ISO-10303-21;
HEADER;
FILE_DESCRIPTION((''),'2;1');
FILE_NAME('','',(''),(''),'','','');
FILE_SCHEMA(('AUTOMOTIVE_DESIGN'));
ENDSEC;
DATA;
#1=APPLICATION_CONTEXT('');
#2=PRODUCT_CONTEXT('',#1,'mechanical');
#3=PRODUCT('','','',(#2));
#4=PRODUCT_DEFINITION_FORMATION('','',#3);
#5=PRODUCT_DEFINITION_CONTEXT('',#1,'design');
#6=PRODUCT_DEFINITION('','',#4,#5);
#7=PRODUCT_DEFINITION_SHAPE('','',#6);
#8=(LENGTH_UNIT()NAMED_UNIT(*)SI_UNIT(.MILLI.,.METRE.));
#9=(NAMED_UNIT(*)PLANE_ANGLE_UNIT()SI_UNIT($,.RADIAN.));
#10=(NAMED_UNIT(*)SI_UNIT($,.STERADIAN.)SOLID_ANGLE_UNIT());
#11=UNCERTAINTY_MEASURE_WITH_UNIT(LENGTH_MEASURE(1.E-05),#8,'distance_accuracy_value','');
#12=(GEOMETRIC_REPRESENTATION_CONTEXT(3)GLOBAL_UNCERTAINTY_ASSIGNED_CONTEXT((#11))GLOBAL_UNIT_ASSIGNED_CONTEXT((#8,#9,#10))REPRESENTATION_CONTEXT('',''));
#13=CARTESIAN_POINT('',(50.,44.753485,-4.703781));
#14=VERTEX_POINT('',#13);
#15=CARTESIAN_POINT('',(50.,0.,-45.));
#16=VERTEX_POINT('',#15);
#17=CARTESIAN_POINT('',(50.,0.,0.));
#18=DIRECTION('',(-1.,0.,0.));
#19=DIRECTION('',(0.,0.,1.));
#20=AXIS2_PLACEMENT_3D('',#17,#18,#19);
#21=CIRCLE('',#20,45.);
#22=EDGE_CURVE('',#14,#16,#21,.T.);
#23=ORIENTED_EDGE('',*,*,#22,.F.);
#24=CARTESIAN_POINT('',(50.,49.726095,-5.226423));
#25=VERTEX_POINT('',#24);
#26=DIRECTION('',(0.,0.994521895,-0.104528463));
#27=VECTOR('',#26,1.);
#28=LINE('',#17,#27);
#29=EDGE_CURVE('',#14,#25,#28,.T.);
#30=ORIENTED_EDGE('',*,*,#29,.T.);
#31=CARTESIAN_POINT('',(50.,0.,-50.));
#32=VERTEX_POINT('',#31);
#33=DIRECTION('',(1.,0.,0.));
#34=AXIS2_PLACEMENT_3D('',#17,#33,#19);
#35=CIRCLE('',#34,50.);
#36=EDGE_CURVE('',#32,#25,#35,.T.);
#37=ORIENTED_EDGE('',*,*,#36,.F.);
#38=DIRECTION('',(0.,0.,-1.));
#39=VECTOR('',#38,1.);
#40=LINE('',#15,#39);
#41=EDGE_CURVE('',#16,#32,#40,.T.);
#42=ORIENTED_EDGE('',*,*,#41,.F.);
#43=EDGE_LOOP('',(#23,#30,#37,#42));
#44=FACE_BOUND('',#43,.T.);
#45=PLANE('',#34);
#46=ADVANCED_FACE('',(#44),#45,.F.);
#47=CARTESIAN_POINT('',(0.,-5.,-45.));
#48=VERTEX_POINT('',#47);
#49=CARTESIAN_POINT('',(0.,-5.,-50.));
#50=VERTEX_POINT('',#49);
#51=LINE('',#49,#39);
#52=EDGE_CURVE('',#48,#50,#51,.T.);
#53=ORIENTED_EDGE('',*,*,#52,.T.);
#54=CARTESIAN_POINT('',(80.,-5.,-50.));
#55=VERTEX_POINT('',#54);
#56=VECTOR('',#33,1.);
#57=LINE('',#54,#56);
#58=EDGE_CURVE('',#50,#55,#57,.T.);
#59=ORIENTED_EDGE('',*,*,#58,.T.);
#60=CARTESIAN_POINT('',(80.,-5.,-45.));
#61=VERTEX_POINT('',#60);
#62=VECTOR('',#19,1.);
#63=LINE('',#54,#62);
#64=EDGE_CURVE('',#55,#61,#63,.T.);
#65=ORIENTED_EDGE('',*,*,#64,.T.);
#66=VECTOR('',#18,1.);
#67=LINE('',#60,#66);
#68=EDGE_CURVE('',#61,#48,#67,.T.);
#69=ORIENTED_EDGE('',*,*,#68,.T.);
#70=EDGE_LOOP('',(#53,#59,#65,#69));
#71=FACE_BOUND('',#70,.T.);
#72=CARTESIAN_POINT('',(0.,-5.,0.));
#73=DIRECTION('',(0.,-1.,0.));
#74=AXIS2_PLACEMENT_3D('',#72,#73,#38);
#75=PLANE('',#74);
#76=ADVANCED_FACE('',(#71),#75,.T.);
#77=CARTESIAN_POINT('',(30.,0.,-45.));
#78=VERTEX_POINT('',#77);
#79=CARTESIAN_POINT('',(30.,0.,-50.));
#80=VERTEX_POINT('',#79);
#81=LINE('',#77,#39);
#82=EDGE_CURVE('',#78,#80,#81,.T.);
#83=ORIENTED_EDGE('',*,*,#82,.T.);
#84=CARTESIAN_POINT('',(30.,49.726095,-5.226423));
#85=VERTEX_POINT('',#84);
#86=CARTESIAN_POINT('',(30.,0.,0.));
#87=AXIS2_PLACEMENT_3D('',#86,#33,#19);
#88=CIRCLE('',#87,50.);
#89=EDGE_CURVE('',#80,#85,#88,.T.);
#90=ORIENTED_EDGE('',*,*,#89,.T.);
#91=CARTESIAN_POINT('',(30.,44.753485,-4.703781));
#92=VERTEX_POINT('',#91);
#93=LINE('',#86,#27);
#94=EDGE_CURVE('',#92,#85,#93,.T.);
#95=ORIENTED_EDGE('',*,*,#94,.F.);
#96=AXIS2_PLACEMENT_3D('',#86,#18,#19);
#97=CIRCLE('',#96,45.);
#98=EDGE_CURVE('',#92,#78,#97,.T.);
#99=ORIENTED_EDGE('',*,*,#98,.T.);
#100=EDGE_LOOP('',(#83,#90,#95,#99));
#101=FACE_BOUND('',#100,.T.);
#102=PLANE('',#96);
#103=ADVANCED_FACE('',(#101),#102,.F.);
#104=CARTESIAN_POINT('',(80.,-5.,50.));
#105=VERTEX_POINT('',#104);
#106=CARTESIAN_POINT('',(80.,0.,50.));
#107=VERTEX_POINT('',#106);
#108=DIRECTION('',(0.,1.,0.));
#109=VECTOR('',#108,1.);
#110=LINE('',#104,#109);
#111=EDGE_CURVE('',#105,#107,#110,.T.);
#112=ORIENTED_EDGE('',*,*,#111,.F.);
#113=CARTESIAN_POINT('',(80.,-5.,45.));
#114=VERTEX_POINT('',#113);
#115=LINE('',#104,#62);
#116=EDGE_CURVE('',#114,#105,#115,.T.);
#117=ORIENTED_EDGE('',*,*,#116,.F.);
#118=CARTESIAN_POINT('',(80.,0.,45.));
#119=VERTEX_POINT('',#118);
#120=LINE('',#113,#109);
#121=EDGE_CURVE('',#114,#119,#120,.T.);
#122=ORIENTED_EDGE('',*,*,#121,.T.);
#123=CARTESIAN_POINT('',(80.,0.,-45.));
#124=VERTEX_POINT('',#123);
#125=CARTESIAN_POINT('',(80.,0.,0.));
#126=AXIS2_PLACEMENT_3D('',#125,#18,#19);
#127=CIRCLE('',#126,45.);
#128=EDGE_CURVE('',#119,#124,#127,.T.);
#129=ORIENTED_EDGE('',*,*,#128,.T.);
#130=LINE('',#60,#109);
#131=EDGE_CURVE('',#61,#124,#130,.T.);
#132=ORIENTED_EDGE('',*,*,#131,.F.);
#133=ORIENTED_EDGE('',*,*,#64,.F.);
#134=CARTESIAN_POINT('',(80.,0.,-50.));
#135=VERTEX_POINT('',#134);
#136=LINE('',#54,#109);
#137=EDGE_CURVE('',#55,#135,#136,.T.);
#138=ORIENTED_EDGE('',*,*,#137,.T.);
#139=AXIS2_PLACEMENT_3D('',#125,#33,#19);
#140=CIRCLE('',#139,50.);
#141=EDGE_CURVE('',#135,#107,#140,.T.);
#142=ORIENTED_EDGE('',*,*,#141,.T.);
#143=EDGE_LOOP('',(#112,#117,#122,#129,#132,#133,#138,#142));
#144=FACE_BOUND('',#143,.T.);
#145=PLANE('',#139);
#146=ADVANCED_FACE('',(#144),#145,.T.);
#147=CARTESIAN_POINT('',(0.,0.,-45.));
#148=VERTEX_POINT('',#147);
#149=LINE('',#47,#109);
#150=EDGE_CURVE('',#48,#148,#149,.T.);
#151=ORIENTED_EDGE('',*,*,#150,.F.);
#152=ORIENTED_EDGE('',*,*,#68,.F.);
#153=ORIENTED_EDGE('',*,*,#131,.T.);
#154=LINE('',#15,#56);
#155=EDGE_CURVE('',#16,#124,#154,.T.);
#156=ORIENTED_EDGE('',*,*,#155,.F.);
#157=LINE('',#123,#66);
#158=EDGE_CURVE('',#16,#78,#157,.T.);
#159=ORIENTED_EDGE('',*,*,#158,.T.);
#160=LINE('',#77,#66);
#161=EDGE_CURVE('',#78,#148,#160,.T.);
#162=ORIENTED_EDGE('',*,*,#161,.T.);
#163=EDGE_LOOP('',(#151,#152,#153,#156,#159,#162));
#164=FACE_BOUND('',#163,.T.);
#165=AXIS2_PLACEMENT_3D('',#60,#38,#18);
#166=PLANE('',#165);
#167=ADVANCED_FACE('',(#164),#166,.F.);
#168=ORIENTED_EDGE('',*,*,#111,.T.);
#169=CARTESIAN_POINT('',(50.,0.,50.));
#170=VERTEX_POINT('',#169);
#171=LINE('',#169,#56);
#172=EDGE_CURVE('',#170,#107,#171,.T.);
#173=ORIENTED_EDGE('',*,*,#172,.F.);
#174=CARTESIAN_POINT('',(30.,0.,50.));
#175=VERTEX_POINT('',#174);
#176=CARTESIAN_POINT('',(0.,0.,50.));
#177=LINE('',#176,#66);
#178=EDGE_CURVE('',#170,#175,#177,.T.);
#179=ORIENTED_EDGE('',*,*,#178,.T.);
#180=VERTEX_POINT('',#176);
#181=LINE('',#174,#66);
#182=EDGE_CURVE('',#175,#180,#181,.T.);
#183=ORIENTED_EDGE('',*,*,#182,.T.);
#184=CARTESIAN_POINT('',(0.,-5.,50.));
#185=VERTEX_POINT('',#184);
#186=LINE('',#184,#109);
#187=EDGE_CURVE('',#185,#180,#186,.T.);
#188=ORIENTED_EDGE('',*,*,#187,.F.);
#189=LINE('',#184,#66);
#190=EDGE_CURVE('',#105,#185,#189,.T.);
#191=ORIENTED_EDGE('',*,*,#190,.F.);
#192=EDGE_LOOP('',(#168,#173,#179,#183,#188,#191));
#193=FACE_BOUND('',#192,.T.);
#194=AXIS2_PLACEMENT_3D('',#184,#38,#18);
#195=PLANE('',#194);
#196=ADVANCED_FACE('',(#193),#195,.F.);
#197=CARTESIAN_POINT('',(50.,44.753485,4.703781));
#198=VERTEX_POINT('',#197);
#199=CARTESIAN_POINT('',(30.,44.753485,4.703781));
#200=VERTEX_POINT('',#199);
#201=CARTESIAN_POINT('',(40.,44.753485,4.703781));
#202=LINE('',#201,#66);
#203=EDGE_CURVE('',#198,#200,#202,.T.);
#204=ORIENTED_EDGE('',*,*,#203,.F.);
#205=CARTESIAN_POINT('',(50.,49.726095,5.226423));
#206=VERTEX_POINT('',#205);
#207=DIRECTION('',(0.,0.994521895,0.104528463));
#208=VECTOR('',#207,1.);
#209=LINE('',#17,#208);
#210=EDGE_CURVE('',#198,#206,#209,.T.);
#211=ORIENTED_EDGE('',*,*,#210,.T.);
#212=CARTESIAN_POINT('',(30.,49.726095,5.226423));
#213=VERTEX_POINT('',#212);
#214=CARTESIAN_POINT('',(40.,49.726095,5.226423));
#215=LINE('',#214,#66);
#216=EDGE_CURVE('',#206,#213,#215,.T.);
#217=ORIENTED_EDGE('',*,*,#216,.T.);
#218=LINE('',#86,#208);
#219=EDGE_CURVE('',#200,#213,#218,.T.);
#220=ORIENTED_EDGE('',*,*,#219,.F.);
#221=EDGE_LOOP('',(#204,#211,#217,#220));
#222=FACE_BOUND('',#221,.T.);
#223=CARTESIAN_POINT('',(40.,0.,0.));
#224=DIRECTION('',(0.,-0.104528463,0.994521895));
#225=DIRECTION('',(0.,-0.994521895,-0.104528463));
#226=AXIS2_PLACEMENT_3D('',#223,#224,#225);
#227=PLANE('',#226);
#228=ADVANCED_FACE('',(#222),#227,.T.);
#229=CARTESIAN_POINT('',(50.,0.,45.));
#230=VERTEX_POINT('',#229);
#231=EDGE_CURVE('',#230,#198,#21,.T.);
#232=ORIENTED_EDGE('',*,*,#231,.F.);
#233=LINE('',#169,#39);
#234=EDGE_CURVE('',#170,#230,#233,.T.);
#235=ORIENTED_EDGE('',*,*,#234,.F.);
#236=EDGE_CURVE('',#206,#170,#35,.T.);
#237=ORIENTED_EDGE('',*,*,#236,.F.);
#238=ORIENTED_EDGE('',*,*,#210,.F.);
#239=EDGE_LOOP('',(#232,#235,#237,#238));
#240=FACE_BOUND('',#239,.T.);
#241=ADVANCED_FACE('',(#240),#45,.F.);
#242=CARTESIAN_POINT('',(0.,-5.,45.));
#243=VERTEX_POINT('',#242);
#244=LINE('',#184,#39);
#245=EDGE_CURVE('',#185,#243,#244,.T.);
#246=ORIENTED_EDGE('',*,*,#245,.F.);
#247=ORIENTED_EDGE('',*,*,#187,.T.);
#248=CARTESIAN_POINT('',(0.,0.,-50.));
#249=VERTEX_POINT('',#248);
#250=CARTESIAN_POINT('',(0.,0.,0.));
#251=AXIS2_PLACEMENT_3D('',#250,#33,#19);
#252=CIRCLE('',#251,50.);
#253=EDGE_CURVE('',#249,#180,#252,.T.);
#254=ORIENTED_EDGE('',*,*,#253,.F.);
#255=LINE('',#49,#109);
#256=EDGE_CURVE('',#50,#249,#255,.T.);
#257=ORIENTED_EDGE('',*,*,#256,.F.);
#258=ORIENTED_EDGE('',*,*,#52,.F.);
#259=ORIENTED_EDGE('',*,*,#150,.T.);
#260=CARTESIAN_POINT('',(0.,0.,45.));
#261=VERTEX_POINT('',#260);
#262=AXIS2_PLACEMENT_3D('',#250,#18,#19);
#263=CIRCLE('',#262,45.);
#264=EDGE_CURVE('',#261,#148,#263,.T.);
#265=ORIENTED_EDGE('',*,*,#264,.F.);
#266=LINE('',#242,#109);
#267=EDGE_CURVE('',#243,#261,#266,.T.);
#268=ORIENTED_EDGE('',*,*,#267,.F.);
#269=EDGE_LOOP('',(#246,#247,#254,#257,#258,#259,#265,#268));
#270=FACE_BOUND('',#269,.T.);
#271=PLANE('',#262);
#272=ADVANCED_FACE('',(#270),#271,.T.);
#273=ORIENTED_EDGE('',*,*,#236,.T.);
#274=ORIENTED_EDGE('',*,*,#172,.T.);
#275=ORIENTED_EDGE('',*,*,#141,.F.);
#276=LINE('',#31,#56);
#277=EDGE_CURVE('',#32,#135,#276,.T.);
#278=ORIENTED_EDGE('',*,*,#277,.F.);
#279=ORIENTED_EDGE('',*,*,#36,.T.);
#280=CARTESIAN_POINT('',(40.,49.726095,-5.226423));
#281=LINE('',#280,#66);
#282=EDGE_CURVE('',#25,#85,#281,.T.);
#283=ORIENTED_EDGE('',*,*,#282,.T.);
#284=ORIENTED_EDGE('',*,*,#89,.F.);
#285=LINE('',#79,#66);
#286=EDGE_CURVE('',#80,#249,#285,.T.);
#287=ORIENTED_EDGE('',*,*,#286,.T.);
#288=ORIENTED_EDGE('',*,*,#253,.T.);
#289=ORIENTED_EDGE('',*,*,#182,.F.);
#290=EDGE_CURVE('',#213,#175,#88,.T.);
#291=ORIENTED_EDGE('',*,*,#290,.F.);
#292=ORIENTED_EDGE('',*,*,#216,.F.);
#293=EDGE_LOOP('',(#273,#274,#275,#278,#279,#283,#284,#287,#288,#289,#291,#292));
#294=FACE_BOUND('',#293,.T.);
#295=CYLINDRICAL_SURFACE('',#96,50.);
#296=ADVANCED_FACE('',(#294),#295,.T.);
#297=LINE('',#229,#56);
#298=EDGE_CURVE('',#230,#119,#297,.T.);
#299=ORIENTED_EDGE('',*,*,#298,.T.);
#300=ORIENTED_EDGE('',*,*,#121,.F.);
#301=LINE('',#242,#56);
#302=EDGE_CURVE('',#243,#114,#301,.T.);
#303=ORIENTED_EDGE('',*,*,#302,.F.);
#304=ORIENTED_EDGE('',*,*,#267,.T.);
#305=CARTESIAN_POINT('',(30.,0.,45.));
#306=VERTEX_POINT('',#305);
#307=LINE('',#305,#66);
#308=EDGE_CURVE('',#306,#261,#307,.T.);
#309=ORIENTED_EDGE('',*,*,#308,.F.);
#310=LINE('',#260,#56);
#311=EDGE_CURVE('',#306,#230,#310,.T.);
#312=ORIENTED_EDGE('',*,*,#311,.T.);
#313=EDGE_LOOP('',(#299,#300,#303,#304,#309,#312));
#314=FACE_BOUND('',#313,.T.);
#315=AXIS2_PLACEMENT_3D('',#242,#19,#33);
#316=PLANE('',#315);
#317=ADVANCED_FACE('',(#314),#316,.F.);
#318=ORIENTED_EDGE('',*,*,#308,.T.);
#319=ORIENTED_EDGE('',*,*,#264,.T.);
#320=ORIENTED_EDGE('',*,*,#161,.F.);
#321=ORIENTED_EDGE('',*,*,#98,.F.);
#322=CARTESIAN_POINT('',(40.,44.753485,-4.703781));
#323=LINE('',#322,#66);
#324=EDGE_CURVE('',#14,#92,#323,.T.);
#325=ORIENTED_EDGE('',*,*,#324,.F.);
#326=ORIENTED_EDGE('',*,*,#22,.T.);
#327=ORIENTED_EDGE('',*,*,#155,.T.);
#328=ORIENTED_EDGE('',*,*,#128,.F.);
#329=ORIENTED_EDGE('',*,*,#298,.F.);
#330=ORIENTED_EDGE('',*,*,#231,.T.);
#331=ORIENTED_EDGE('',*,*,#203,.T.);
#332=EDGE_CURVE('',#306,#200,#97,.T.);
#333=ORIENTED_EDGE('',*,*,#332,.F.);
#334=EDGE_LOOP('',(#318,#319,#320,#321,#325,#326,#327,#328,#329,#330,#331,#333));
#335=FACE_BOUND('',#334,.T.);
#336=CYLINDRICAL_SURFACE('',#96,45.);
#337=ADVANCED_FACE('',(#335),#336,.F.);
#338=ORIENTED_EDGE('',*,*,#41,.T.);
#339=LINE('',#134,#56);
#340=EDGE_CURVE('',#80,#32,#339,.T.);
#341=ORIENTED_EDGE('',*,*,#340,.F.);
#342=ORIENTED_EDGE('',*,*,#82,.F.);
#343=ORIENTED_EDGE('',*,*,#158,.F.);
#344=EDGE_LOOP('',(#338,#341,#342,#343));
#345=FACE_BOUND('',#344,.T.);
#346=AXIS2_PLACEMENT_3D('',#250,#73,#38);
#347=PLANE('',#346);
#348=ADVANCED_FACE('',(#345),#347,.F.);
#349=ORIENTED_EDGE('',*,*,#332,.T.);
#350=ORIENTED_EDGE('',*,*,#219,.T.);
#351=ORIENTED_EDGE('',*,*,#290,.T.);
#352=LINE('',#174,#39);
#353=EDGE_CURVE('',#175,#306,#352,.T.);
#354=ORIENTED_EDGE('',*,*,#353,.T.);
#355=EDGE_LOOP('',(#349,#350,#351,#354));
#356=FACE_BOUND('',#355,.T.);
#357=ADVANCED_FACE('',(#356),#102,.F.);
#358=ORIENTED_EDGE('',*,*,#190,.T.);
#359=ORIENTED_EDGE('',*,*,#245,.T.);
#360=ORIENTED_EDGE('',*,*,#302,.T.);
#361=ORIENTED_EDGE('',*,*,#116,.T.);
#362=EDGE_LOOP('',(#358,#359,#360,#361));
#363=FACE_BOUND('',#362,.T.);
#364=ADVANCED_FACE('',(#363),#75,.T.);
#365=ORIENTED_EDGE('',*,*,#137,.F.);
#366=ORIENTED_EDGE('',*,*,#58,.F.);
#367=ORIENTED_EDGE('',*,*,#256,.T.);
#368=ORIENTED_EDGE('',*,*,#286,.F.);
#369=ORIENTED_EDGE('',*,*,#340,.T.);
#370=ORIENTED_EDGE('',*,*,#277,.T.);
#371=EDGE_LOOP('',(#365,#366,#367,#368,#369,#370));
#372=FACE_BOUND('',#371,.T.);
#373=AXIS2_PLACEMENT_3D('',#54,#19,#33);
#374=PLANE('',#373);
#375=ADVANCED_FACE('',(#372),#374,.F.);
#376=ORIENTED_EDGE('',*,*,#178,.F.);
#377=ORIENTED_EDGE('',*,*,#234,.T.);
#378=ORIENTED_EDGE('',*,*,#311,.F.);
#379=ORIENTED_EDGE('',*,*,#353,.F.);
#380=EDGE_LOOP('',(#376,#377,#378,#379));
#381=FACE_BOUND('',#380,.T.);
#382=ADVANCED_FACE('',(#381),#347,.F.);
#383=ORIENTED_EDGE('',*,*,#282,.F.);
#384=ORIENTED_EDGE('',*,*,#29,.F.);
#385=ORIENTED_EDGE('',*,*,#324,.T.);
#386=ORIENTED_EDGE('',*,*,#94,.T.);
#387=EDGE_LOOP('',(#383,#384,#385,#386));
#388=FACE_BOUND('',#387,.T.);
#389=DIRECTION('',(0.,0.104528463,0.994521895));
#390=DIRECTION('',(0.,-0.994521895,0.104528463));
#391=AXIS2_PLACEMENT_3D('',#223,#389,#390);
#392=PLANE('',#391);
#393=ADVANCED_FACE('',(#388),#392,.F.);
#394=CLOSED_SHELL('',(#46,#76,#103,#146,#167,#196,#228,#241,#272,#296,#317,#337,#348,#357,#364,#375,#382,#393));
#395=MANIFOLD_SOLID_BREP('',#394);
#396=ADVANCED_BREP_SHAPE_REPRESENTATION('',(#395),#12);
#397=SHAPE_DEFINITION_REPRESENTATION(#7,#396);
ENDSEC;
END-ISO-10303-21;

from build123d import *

# Parameters (mm, degrees)
BOSS_EXTRUDE3_DEPTH = 30
BOSS_EXTRUDE4_DEPTH = 10
SKETCH4_W           = 80
SKETCH4_H           = 5
BOSS_EXTRUDE5_DEPTH = 5


with BuildPart() as part:
    # Sketch1 → Boss-Extrude3 (new body)
    with BuildSketch(Plane(origin=(0, 0, 0), x_dir=(0, 0, -1), z_dir=(1, 0, 0))):
        with BuildLine():
            Line((-50, 0), (-45, 0))
            ThreePointArc((-45, 0), (0, 45), (45, 0))
            Line((45, 0), (50, 0))
            ThreePointArc((50, 0), (0, 50), (-50, 0))
        make_face()
    extrude(amount=BOSS_EXTRUDE3_DEPTH)

    # Sketch3 → Boss-Extrude4 (add)
    with BuildSketch(Plane(origin=(30, 0, 0), x_dir=(0, 0, -1), z_dir=(1, 0, 0))):
        with BuildLine():
            Line((-5.226423163, 49.726094768), (-4.703780847, 44.753485292))
            ThreePointArc((-4.703780847, 44.753485292), (-2.355118031, 44.938329064), (0, 45))
            Line((0, 45), (0, 50))
            ThreePointArc((0, 50), (-2.616797812, 49.931476738), (-5.226423163, 49.726094768))
        make_face()
        with BuildLine():
            ThreePointArc((0, 45), (2.355118031, 44.938329064), (4.703780847, 44.753485292))
            Line((4.703780847, 44.753485292), (5.226423163, 49.726094768))
            ThreePointArc((5.226423163, 49.726094768), (2.616797812, 49.931476738), (0, 50))
            Line((0, 50), (0, 45))
        make_face()
    extrude(amount=BOSS_EXTRUDE4_DEPTH)

    # Mirror3: part across plane


with BuildPart() as part_1:
    add(part.part)
    add(part.part.mirror(Plane(origin=(40, 0, 0), x_dir=(0, 0, 1), z_dir=(1, 0, 0))))

    # Sketch4 → Boss-Extrude5 (add)
    with BuildSketch(Plane.XZ):
        with Locations((40, 47.5)):
            Rectangle(SKETCH4_W, SKETCH4_H)
        with Locations((40, -47.5)):
            Rectangle(SKETCH4_W, SKETCH4_H)
    extrude(amount=BOSS_EXTRUDE5_DEPTH)


solid = part_1.part
